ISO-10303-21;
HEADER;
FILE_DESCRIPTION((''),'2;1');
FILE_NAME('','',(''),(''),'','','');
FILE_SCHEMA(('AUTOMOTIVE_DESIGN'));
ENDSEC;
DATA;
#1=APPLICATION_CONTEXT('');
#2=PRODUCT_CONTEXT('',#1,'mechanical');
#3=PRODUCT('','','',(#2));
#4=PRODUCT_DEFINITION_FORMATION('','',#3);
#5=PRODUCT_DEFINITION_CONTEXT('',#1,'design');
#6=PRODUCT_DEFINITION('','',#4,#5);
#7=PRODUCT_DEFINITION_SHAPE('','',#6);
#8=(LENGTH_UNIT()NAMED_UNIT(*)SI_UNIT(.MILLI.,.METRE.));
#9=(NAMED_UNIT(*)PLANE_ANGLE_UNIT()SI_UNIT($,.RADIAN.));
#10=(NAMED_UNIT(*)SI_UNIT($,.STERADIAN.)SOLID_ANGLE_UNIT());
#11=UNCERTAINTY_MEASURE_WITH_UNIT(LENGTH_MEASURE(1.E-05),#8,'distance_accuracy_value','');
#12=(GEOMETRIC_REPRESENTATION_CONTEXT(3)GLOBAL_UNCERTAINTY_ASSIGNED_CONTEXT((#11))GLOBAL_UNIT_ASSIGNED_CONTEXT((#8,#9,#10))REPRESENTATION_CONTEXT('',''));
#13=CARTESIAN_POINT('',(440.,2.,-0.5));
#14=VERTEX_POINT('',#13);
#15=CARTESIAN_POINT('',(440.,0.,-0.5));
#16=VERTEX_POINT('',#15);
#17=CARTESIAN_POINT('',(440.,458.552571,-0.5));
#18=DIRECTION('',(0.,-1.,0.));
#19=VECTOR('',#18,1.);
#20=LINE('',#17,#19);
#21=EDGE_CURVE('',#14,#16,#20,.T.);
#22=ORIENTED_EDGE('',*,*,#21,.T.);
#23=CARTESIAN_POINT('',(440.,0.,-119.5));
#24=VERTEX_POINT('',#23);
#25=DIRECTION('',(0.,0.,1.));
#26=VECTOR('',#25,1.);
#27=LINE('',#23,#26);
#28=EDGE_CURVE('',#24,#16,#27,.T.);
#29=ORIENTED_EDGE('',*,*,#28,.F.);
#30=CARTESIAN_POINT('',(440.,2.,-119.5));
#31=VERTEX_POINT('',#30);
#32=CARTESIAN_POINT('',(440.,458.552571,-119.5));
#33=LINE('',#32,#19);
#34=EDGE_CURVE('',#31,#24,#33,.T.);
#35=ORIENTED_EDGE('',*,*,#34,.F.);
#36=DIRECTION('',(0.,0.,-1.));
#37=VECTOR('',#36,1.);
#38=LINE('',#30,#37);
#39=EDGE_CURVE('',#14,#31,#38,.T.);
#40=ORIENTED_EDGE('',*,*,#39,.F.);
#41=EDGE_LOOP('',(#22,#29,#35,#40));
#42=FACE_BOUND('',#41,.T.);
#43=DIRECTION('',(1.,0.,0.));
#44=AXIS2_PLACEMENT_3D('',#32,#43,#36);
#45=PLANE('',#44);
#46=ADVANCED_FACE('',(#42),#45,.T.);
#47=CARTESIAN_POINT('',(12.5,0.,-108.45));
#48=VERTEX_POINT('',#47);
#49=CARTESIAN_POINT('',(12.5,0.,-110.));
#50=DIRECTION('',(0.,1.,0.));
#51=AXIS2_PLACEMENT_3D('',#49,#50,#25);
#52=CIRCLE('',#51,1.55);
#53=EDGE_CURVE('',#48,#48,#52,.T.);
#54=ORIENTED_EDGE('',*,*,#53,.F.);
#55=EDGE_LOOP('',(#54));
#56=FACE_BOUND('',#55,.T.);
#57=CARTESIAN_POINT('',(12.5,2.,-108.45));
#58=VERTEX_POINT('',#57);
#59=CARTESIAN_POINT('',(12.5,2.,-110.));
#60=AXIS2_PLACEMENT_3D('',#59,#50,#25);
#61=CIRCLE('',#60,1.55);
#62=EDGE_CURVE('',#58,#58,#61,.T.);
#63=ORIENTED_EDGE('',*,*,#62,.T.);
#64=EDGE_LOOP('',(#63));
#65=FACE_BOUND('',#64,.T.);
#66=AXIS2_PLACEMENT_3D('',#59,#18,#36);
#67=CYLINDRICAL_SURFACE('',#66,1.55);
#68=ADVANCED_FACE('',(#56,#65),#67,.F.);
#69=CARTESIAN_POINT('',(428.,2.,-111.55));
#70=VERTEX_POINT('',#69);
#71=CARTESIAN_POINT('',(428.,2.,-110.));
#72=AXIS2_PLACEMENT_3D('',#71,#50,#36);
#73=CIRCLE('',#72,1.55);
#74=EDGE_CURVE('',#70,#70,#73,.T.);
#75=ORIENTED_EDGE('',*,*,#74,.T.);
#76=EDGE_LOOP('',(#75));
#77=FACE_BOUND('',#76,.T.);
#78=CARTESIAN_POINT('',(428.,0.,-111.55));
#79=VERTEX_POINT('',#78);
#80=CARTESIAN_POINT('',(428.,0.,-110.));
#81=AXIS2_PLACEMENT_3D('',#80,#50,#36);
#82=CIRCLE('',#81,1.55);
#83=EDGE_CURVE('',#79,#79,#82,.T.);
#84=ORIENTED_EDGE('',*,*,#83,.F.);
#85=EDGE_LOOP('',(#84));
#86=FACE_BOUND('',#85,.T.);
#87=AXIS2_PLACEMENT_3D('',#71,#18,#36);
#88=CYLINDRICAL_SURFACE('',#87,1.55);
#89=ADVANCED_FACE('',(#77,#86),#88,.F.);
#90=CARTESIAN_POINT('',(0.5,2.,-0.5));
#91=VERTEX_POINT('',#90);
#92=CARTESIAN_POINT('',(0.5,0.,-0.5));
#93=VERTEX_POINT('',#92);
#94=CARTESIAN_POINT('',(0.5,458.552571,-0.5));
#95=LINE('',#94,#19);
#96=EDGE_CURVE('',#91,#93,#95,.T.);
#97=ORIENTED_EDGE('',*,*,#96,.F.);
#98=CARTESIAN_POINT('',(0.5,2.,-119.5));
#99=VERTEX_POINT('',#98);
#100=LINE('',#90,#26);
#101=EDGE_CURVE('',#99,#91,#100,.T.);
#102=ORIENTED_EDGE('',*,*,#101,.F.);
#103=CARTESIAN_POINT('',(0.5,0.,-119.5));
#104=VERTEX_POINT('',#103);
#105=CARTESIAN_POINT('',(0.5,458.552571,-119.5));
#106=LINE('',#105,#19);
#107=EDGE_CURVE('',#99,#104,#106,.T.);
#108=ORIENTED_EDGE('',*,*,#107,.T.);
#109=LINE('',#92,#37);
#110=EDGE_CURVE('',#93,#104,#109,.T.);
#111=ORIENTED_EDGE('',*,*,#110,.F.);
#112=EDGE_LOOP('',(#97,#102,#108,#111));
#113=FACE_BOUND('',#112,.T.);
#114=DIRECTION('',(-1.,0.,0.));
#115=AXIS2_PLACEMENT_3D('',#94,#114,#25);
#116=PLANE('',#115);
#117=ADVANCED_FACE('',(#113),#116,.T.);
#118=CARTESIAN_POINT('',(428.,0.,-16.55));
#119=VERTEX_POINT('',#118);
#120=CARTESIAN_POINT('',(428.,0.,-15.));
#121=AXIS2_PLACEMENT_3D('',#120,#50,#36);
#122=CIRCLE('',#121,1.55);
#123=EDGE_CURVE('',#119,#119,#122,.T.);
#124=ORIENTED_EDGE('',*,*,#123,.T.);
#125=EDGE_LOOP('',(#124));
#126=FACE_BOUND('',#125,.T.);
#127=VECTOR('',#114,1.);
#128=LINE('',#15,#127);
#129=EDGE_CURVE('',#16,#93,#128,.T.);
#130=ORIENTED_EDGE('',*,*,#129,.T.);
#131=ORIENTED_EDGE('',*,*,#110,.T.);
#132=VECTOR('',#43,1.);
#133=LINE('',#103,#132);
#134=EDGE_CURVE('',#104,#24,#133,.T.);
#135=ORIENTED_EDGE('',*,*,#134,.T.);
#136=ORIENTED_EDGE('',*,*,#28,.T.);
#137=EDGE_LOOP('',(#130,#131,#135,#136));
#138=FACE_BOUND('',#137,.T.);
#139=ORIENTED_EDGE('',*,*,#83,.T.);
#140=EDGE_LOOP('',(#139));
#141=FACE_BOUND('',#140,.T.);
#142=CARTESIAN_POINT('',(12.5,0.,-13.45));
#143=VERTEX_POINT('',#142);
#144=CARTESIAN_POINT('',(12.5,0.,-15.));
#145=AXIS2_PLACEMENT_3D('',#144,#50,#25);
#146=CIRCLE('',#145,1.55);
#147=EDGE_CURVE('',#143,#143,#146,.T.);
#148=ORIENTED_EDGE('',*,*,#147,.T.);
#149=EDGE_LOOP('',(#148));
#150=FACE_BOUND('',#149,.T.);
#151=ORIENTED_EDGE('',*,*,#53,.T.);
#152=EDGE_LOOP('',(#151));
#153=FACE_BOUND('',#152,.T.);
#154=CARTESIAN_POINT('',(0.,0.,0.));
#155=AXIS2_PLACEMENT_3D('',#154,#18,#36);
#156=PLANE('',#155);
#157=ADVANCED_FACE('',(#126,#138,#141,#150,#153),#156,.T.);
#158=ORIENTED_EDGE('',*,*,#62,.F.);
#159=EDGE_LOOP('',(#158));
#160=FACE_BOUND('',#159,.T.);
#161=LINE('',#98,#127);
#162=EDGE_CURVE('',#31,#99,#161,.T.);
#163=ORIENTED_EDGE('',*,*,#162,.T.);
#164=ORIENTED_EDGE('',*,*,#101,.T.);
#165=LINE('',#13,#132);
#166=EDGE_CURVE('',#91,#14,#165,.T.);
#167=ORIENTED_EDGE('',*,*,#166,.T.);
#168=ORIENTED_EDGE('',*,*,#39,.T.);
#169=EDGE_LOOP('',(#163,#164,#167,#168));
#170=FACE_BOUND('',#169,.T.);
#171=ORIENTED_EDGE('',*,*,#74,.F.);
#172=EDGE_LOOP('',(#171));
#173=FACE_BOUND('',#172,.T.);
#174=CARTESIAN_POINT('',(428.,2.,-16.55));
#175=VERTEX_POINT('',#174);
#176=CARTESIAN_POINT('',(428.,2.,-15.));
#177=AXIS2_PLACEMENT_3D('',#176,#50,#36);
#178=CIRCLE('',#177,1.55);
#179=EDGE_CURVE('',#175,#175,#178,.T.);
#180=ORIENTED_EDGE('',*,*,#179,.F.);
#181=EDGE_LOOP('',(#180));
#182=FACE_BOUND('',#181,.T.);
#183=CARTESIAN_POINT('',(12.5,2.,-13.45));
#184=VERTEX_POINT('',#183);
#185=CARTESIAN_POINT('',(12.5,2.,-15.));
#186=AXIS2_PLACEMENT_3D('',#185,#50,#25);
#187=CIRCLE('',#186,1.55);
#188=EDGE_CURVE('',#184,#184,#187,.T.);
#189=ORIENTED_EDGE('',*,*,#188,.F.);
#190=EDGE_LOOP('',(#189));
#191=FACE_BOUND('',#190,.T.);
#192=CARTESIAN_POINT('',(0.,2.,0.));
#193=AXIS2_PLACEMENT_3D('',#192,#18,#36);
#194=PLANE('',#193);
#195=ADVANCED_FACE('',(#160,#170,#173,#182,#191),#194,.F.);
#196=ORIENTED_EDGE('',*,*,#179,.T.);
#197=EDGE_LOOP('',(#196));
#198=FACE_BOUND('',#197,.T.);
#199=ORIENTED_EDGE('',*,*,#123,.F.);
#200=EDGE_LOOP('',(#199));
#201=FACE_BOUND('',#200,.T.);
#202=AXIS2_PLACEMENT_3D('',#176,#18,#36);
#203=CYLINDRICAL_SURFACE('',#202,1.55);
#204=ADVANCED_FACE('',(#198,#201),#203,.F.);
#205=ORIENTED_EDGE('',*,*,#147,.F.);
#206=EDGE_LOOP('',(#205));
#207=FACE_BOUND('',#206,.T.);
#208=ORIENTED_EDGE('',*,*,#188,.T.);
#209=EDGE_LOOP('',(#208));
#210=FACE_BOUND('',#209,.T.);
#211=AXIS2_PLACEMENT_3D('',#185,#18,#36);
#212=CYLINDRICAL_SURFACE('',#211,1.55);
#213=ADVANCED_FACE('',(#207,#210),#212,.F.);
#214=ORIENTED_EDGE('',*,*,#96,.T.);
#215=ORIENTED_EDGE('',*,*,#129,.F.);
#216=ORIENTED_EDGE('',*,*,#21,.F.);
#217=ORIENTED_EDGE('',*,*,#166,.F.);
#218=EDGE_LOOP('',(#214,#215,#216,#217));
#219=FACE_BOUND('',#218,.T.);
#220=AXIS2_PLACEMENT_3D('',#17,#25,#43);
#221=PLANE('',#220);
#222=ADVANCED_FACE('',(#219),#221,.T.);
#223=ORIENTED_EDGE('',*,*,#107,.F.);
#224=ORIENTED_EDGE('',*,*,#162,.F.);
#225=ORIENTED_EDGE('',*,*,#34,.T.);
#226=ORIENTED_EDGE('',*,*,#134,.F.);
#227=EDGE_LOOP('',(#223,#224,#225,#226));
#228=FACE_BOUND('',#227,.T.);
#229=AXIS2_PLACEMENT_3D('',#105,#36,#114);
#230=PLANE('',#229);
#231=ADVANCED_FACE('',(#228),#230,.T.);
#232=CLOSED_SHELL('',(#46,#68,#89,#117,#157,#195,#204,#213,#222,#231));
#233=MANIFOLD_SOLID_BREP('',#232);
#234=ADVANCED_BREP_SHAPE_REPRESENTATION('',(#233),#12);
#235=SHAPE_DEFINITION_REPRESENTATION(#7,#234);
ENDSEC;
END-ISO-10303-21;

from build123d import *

# Parameters (mm, degrees)
CROQUIS1_W              = 440.5
CROQUIS1_H              = 120
CROQUIS1_R              = 1.55
SALIENTE_EXTRUIR1_DEPTH = 2
CROQUIS2_W              = 440.5
CROQUIS2_H              = 120
CROQUIS2_W_2            = 439.5
CROQUIS2_H_2            = 119
CORTAR_EXTRUIR1_DEPTH   = 2


with BuildPart() as part:
    # Croquis1 → Saliente-Extruir1 (new body)
    with BuildSketch(Plane(origin=(0, 0, 0), x_dir=(1, 0, 0), z_dir=(0, 1, 0))):
        with Locations((220.25, 60)):
            Rectangle(CROQUIS1_W, CROQUIS1_H)
        with Locations(Location((12.5, 15, 0), (0, 0, 270))):
            Circle(CROQUIS1_R, mode=Mode.SUBTRACT)
        with Locations(Location((12.5, 110, 0), (0, 0, 270))):
            Circle(CROQUIS1_R, mode=Mode.SUBTRACT)
        with Locations(Location((428, 15, 0), (0, 0, 90))):
            Circle(CROQUIS1_R, mode=Mode.SUBTRACT)
        with Locations(Location((428, 110, 0), (0, 0, 90))):
            Circle(CROQUIS1_R, mode=Mode.SUBTRACT)
    extrude(amount=SALIENTE_EXTRUIR1_DEPTH)

    # Croquis2 → Cortar-Extruir1 (cut)
    with BuildSketch(Plane.XZ):
        with Locations((220.25, -60)):
            Rectangle(CROQUIS2_W, CROQUIS2_H)
        with Locations((220.25, -60)):
            Rectangle(CROQUIS2_W_2, CROQUIS2_H_2, mode=Mode.SUBTRACT)
    extrude(amount=-CORTAR_EXTRUIR1_DEPTH, mode=Mode.SUBTRACT)


solid = part.part
